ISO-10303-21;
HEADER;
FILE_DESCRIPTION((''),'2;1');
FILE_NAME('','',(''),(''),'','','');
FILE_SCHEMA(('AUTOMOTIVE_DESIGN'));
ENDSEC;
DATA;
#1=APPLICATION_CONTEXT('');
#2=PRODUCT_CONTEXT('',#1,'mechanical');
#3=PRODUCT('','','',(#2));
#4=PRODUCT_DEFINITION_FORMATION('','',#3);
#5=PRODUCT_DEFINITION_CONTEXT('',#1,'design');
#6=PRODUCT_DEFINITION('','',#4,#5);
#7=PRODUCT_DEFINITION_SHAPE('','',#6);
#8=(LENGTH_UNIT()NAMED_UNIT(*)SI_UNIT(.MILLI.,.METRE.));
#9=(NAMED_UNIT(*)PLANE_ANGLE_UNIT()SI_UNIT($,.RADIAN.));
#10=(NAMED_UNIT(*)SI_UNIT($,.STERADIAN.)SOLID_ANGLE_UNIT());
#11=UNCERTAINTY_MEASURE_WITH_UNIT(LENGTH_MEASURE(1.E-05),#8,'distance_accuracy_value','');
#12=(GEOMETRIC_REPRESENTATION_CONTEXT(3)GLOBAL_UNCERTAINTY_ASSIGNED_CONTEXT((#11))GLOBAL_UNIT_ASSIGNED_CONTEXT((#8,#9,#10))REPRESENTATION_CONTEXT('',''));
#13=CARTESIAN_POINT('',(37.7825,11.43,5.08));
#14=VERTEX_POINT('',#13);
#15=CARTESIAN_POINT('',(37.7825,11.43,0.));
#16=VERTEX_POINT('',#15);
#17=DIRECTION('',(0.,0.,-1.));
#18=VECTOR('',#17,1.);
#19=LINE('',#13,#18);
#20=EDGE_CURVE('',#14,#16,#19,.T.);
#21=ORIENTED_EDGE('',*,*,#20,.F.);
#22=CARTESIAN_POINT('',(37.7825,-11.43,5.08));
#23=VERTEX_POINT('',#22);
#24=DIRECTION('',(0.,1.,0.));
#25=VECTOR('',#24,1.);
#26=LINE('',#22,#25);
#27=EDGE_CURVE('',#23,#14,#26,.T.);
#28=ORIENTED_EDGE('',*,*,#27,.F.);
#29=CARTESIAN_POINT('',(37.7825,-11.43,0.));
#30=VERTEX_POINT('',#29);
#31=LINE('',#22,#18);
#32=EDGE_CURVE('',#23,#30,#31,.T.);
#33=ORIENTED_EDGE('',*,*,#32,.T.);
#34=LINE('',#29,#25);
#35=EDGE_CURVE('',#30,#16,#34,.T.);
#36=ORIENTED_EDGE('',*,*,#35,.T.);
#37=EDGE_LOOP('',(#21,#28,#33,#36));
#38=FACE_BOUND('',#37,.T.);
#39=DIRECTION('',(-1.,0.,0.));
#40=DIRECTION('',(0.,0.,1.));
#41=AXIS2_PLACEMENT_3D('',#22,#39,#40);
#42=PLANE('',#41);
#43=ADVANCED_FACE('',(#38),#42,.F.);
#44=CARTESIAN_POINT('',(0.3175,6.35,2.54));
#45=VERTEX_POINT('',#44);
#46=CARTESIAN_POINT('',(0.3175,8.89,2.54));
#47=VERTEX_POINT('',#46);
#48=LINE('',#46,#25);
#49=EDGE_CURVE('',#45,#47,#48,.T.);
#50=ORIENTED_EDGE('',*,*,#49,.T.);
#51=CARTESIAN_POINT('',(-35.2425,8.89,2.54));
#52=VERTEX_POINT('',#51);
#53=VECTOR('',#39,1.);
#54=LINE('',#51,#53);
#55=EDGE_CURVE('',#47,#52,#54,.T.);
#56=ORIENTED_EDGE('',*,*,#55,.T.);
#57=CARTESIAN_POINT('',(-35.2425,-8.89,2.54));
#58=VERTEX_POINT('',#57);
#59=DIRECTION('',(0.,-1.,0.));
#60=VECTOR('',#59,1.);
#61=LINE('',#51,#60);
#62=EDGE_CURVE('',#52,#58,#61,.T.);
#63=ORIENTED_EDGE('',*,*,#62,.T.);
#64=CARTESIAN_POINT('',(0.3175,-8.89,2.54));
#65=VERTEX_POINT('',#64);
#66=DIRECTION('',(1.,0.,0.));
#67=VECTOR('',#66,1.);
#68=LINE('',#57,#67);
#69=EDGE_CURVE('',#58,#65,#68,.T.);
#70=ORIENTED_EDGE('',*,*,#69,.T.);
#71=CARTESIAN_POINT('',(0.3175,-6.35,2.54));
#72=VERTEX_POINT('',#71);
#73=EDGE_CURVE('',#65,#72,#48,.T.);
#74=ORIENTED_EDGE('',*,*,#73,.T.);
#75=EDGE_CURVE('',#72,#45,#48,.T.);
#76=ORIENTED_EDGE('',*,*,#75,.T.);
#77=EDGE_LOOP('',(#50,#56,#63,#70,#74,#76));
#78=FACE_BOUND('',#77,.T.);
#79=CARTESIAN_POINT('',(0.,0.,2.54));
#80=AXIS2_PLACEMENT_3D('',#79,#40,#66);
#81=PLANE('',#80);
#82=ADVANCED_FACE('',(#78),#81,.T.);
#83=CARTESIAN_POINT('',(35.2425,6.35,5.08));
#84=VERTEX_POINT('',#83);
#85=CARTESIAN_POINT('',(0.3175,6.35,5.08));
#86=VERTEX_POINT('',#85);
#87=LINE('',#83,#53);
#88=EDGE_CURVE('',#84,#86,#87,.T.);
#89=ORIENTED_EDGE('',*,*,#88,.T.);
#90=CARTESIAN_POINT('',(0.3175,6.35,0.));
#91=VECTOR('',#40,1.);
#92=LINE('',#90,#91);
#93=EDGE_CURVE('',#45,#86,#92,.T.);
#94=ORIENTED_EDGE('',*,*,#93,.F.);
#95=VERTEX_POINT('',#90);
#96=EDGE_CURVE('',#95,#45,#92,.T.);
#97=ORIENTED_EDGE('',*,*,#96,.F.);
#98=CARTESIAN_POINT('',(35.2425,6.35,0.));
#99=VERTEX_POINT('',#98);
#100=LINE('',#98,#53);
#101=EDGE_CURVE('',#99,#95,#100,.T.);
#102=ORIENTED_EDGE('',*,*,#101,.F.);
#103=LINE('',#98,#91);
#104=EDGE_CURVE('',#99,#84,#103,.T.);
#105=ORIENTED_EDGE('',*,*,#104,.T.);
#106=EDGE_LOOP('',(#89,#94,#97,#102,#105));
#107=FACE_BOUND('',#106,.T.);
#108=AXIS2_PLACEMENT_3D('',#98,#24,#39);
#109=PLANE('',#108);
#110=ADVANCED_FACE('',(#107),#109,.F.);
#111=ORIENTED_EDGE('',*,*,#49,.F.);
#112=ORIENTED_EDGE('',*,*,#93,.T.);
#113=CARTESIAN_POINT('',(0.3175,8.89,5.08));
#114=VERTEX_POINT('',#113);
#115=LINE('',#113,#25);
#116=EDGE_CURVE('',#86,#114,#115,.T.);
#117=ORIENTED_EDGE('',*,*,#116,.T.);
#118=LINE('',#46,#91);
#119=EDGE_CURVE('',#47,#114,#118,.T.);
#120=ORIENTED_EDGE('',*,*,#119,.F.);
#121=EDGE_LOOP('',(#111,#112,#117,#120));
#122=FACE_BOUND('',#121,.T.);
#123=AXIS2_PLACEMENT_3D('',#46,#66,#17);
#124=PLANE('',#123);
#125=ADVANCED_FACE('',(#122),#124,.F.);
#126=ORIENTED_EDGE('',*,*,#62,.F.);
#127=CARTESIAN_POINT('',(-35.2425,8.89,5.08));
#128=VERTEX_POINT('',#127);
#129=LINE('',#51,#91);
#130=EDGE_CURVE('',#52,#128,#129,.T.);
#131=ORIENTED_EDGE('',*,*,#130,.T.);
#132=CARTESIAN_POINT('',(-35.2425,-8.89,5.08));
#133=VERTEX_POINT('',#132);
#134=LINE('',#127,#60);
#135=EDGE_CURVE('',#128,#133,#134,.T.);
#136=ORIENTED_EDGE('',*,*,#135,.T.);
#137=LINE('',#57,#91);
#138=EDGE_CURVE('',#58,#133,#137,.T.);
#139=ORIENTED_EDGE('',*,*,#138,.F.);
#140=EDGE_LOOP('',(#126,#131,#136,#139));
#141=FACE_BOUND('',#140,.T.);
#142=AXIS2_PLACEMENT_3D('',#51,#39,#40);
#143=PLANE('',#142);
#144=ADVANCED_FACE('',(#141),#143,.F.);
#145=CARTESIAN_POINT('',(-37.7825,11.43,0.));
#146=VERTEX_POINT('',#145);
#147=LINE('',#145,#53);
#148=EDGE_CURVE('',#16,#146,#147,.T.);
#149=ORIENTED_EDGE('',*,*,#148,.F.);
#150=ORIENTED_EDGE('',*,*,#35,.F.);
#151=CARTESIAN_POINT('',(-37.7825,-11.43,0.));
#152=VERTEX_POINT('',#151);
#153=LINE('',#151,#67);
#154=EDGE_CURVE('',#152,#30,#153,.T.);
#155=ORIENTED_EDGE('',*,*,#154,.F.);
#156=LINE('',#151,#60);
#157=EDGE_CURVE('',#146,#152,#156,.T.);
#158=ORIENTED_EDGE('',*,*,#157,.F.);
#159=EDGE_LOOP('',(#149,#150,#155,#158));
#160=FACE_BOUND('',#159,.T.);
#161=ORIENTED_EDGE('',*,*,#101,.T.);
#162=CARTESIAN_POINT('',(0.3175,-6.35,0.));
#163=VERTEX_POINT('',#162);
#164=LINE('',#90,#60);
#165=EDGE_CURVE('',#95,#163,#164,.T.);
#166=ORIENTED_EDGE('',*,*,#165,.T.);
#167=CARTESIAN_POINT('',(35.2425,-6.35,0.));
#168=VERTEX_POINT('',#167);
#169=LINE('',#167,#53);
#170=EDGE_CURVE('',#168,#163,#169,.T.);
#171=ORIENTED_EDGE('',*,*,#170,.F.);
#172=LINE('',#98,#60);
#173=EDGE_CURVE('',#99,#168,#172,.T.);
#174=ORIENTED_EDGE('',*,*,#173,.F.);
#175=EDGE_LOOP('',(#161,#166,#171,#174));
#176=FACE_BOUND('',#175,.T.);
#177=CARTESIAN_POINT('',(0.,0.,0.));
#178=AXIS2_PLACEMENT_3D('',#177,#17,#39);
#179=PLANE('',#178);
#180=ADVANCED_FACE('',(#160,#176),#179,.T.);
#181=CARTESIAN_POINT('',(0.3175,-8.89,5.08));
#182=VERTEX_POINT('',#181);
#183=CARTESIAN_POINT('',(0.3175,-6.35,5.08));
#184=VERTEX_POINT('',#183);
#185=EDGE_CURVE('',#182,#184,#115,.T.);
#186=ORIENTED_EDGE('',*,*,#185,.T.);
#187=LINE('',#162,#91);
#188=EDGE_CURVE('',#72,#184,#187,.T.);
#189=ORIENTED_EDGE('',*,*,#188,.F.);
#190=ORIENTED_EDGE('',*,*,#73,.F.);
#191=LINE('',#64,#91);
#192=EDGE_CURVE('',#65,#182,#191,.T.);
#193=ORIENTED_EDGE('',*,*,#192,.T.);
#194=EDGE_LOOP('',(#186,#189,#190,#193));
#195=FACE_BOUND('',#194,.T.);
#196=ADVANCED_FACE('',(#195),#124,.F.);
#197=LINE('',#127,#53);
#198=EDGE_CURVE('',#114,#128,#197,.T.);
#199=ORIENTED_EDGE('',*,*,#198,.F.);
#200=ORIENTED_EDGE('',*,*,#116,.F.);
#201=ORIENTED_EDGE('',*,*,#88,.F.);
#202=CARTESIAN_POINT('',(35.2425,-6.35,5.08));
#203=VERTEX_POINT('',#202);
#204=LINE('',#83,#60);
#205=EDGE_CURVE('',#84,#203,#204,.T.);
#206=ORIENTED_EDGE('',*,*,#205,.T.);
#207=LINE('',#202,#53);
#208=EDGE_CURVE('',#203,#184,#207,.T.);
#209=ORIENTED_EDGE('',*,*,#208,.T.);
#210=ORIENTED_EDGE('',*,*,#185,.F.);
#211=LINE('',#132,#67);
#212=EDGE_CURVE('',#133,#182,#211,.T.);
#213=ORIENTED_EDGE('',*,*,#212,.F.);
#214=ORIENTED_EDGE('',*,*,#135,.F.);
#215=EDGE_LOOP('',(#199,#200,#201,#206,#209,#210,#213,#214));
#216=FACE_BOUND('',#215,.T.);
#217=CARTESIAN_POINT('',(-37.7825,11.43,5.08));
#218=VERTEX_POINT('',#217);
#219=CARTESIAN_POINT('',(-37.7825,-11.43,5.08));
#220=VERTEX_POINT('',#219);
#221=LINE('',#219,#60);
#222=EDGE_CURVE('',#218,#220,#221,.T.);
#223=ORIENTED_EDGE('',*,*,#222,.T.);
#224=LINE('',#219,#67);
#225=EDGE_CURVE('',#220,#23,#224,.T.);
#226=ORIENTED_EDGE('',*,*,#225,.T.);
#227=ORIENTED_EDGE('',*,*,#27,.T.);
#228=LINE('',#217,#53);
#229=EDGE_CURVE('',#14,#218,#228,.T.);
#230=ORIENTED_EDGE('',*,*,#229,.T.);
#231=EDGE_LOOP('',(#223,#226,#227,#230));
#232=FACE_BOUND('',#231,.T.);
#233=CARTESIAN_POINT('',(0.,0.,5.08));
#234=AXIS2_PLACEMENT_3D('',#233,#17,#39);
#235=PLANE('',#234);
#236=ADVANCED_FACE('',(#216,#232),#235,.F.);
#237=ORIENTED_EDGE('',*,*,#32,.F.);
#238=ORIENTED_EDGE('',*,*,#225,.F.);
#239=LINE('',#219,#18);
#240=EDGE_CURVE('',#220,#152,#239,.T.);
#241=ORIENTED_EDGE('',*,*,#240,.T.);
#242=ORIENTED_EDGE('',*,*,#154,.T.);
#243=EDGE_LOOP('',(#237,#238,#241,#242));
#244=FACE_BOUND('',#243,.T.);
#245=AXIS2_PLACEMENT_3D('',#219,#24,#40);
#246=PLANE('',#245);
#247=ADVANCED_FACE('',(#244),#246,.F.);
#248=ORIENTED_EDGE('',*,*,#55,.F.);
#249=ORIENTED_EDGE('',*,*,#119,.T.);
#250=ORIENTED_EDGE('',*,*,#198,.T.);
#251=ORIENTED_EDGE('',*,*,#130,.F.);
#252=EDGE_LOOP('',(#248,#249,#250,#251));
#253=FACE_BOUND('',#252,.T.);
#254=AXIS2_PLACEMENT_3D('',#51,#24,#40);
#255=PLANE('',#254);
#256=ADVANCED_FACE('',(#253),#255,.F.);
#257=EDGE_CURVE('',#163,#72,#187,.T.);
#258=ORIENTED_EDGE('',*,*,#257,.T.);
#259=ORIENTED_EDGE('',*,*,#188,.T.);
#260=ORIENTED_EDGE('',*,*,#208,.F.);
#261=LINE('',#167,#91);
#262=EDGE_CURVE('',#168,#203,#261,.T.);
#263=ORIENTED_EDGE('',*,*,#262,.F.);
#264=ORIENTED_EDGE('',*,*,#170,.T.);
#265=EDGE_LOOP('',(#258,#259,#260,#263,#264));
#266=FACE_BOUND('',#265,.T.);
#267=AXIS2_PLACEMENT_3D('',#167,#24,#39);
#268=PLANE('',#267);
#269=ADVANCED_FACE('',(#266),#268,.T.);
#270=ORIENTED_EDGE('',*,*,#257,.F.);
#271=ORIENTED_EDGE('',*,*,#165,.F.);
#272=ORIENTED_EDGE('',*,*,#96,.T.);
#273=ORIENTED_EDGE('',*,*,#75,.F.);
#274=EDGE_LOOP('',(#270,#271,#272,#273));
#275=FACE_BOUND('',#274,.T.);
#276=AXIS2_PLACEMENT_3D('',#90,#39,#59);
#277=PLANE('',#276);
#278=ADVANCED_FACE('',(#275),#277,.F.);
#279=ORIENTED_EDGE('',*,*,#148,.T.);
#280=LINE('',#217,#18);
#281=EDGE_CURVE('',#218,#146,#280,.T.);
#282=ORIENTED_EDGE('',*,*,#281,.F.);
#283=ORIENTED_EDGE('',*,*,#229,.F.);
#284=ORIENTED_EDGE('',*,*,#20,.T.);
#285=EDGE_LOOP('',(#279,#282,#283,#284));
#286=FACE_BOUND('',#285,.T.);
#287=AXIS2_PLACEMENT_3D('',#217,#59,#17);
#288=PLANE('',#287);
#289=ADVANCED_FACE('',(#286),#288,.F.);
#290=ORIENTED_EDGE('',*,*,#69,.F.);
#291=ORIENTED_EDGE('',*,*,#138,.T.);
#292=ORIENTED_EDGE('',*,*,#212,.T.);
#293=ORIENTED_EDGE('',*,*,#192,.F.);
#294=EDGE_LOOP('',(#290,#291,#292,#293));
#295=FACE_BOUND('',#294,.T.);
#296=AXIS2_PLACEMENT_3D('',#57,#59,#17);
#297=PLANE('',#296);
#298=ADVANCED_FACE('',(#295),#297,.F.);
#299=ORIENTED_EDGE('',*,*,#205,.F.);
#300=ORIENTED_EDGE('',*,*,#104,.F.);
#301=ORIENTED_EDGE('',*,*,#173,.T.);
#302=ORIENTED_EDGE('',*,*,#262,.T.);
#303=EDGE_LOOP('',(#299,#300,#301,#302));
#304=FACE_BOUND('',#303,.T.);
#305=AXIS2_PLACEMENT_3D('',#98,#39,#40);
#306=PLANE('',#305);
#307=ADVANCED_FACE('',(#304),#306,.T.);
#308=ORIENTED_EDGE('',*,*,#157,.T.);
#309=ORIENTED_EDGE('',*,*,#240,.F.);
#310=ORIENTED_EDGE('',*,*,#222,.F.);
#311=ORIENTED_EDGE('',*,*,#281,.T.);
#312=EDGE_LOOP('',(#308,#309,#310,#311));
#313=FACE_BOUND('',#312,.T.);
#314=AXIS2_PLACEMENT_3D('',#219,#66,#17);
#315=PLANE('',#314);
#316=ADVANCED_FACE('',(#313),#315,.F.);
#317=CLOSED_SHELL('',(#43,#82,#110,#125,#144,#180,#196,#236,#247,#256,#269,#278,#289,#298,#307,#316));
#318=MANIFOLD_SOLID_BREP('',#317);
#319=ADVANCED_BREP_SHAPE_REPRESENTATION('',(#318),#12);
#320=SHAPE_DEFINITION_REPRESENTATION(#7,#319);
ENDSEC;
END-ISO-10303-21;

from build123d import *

# Parameters (mm, degrees)
SKETCH1_W           = 75.565
SKETCH1_H           = 22.86
BOSS_EXTRUDE1_DEPTH = 5.08
SKETCH2_W           = 35.56
SKETCH2_H           = 17.78
CUT_EXTRUDE1_DEPTH  = 2.54
SKETCH3_W           = 34.925
SKETCH3_H           = 12.7
CUT_EXTRUDE2_DEPTH  = 40.799103083


with BuildPart() as part:
    # Sketch1 → Boss-Extrude1 (new body)
    with BuildSketch(Plane.XY):
        Rectangle(SKETCH1_W, SKETCH1_H)
    extrude(amount=BOSS_EXTRUDE1_DEPTH)

    # Sketch2 → Cut-Extrude1 (cut)
    with BuildSketch(Plane.XY.offset(5.08)):
        with Locations((-17.4625, 0)):
            Rectangle(SKETCH2_W, SKETCH2_H)
    extrude(amount=-CUT_EXTRUDE1_DEPTH, mode=Mode.SUBTRACT)

    # Sketch3 → Cut-Extrude2 (cut, through all)
    with BuildSketch(Plane.XY.offset(5.08)):
        with Locations((17.78, 0)):
            Rectangle(SKETCH3_W, SKETCH3_H)
    extrude(amount=-CUT_EXTRUDE2_DEPTH, mode=Mode.SUBTRACT)


solid = part.part
